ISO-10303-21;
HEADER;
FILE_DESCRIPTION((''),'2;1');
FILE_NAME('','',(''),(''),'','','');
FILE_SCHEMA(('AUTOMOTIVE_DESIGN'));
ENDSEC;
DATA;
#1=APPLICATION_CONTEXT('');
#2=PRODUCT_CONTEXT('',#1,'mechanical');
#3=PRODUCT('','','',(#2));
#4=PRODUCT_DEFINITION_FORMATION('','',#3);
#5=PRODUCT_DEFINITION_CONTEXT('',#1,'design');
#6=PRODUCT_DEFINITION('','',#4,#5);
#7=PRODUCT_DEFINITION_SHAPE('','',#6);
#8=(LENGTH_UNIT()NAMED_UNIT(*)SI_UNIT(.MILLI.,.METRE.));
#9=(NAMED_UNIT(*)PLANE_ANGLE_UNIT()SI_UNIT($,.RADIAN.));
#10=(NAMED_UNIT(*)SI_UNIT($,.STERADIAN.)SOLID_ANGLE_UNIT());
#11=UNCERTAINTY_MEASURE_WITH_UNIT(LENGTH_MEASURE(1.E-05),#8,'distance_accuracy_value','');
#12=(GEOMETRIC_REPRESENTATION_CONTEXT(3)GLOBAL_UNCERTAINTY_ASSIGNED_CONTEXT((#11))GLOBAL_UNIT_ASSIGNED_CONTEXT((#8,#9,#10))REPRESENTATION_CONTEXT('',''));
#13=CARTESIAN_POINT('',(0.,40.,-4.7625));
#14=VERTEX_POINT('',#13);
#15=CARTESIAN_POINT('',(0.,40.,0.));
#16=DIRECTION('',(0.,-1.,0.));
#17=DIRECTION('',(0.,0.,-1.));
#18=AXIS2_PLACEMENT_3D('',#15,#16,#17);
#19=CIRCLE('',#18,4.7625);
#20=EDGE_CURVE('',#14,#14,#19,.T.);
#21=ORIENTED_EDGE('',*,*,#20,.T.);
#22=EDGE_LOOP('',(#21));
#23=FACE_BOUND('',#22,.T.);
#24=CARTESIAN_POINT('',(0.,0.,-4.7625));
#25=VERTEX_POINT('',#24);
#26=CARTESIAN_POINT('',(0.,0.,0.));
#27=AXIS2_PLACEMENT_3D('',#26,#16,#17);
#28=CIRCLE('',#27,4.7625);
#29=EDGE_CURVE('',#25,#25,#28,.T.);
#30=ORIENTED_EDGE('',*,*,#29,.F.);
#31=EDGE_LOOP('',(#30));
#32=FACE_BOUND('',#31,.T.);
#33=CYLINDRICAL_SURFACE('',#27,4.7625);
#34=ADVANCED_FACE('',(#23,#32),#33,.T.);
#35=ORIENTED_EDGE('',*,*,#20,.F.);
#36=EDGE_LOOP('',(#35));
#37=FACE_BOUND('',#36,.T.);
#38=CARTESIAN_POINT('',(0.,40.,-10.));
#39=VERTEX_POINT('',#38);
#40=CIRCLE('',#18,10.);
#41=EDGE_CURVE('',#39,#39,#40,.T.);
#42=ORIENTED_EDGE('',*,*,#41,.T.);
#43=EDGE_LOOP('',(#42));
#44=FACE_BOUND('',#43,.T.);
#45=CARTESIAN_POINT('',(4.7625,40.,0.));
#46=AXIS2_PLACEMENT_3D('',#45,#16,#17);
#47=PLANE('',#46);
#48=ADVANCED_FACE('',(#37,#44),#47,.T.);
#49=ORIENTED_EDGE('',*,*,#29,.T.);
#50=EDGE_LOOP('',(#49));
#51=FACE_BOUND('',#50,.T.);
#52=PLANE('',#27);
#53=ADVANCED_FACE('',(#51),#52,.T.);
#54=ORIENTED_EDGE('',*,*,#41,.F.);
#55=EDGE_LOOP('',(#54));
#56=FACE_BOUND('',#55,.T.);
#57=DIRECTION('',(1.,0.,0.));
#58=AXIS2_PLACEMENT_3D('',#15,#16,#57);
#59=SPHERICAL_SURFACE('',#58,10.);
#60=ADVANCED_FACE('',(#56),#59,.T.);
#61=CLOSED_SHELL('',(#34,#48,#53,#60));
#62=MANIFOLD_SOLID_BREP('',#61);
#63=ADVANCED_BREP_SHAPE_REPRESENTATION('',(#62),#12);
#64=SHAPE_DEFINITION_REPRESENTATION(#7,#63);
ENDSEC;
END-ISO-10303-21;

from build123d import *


with BuildPart() as part:
    # Croquis1 → Revolución1 (revolve)
    with BuildSketch(Plane.XY):
        with BuildLine():
            Line((0, 0), (4.7625, 0))
            Line((4.7625, 0), (4.7625, 40))
            Line((4.7625, 40), (10, 40))
            ThreePointArc((10, 40), (7.071067812, 47.071067812), (0, 50))
            Line((0, 50), (0, 0))
        make_face()
    revolve(axis=Axis((0, 0, 0), (0, 1, 0)))


solid = part.part
